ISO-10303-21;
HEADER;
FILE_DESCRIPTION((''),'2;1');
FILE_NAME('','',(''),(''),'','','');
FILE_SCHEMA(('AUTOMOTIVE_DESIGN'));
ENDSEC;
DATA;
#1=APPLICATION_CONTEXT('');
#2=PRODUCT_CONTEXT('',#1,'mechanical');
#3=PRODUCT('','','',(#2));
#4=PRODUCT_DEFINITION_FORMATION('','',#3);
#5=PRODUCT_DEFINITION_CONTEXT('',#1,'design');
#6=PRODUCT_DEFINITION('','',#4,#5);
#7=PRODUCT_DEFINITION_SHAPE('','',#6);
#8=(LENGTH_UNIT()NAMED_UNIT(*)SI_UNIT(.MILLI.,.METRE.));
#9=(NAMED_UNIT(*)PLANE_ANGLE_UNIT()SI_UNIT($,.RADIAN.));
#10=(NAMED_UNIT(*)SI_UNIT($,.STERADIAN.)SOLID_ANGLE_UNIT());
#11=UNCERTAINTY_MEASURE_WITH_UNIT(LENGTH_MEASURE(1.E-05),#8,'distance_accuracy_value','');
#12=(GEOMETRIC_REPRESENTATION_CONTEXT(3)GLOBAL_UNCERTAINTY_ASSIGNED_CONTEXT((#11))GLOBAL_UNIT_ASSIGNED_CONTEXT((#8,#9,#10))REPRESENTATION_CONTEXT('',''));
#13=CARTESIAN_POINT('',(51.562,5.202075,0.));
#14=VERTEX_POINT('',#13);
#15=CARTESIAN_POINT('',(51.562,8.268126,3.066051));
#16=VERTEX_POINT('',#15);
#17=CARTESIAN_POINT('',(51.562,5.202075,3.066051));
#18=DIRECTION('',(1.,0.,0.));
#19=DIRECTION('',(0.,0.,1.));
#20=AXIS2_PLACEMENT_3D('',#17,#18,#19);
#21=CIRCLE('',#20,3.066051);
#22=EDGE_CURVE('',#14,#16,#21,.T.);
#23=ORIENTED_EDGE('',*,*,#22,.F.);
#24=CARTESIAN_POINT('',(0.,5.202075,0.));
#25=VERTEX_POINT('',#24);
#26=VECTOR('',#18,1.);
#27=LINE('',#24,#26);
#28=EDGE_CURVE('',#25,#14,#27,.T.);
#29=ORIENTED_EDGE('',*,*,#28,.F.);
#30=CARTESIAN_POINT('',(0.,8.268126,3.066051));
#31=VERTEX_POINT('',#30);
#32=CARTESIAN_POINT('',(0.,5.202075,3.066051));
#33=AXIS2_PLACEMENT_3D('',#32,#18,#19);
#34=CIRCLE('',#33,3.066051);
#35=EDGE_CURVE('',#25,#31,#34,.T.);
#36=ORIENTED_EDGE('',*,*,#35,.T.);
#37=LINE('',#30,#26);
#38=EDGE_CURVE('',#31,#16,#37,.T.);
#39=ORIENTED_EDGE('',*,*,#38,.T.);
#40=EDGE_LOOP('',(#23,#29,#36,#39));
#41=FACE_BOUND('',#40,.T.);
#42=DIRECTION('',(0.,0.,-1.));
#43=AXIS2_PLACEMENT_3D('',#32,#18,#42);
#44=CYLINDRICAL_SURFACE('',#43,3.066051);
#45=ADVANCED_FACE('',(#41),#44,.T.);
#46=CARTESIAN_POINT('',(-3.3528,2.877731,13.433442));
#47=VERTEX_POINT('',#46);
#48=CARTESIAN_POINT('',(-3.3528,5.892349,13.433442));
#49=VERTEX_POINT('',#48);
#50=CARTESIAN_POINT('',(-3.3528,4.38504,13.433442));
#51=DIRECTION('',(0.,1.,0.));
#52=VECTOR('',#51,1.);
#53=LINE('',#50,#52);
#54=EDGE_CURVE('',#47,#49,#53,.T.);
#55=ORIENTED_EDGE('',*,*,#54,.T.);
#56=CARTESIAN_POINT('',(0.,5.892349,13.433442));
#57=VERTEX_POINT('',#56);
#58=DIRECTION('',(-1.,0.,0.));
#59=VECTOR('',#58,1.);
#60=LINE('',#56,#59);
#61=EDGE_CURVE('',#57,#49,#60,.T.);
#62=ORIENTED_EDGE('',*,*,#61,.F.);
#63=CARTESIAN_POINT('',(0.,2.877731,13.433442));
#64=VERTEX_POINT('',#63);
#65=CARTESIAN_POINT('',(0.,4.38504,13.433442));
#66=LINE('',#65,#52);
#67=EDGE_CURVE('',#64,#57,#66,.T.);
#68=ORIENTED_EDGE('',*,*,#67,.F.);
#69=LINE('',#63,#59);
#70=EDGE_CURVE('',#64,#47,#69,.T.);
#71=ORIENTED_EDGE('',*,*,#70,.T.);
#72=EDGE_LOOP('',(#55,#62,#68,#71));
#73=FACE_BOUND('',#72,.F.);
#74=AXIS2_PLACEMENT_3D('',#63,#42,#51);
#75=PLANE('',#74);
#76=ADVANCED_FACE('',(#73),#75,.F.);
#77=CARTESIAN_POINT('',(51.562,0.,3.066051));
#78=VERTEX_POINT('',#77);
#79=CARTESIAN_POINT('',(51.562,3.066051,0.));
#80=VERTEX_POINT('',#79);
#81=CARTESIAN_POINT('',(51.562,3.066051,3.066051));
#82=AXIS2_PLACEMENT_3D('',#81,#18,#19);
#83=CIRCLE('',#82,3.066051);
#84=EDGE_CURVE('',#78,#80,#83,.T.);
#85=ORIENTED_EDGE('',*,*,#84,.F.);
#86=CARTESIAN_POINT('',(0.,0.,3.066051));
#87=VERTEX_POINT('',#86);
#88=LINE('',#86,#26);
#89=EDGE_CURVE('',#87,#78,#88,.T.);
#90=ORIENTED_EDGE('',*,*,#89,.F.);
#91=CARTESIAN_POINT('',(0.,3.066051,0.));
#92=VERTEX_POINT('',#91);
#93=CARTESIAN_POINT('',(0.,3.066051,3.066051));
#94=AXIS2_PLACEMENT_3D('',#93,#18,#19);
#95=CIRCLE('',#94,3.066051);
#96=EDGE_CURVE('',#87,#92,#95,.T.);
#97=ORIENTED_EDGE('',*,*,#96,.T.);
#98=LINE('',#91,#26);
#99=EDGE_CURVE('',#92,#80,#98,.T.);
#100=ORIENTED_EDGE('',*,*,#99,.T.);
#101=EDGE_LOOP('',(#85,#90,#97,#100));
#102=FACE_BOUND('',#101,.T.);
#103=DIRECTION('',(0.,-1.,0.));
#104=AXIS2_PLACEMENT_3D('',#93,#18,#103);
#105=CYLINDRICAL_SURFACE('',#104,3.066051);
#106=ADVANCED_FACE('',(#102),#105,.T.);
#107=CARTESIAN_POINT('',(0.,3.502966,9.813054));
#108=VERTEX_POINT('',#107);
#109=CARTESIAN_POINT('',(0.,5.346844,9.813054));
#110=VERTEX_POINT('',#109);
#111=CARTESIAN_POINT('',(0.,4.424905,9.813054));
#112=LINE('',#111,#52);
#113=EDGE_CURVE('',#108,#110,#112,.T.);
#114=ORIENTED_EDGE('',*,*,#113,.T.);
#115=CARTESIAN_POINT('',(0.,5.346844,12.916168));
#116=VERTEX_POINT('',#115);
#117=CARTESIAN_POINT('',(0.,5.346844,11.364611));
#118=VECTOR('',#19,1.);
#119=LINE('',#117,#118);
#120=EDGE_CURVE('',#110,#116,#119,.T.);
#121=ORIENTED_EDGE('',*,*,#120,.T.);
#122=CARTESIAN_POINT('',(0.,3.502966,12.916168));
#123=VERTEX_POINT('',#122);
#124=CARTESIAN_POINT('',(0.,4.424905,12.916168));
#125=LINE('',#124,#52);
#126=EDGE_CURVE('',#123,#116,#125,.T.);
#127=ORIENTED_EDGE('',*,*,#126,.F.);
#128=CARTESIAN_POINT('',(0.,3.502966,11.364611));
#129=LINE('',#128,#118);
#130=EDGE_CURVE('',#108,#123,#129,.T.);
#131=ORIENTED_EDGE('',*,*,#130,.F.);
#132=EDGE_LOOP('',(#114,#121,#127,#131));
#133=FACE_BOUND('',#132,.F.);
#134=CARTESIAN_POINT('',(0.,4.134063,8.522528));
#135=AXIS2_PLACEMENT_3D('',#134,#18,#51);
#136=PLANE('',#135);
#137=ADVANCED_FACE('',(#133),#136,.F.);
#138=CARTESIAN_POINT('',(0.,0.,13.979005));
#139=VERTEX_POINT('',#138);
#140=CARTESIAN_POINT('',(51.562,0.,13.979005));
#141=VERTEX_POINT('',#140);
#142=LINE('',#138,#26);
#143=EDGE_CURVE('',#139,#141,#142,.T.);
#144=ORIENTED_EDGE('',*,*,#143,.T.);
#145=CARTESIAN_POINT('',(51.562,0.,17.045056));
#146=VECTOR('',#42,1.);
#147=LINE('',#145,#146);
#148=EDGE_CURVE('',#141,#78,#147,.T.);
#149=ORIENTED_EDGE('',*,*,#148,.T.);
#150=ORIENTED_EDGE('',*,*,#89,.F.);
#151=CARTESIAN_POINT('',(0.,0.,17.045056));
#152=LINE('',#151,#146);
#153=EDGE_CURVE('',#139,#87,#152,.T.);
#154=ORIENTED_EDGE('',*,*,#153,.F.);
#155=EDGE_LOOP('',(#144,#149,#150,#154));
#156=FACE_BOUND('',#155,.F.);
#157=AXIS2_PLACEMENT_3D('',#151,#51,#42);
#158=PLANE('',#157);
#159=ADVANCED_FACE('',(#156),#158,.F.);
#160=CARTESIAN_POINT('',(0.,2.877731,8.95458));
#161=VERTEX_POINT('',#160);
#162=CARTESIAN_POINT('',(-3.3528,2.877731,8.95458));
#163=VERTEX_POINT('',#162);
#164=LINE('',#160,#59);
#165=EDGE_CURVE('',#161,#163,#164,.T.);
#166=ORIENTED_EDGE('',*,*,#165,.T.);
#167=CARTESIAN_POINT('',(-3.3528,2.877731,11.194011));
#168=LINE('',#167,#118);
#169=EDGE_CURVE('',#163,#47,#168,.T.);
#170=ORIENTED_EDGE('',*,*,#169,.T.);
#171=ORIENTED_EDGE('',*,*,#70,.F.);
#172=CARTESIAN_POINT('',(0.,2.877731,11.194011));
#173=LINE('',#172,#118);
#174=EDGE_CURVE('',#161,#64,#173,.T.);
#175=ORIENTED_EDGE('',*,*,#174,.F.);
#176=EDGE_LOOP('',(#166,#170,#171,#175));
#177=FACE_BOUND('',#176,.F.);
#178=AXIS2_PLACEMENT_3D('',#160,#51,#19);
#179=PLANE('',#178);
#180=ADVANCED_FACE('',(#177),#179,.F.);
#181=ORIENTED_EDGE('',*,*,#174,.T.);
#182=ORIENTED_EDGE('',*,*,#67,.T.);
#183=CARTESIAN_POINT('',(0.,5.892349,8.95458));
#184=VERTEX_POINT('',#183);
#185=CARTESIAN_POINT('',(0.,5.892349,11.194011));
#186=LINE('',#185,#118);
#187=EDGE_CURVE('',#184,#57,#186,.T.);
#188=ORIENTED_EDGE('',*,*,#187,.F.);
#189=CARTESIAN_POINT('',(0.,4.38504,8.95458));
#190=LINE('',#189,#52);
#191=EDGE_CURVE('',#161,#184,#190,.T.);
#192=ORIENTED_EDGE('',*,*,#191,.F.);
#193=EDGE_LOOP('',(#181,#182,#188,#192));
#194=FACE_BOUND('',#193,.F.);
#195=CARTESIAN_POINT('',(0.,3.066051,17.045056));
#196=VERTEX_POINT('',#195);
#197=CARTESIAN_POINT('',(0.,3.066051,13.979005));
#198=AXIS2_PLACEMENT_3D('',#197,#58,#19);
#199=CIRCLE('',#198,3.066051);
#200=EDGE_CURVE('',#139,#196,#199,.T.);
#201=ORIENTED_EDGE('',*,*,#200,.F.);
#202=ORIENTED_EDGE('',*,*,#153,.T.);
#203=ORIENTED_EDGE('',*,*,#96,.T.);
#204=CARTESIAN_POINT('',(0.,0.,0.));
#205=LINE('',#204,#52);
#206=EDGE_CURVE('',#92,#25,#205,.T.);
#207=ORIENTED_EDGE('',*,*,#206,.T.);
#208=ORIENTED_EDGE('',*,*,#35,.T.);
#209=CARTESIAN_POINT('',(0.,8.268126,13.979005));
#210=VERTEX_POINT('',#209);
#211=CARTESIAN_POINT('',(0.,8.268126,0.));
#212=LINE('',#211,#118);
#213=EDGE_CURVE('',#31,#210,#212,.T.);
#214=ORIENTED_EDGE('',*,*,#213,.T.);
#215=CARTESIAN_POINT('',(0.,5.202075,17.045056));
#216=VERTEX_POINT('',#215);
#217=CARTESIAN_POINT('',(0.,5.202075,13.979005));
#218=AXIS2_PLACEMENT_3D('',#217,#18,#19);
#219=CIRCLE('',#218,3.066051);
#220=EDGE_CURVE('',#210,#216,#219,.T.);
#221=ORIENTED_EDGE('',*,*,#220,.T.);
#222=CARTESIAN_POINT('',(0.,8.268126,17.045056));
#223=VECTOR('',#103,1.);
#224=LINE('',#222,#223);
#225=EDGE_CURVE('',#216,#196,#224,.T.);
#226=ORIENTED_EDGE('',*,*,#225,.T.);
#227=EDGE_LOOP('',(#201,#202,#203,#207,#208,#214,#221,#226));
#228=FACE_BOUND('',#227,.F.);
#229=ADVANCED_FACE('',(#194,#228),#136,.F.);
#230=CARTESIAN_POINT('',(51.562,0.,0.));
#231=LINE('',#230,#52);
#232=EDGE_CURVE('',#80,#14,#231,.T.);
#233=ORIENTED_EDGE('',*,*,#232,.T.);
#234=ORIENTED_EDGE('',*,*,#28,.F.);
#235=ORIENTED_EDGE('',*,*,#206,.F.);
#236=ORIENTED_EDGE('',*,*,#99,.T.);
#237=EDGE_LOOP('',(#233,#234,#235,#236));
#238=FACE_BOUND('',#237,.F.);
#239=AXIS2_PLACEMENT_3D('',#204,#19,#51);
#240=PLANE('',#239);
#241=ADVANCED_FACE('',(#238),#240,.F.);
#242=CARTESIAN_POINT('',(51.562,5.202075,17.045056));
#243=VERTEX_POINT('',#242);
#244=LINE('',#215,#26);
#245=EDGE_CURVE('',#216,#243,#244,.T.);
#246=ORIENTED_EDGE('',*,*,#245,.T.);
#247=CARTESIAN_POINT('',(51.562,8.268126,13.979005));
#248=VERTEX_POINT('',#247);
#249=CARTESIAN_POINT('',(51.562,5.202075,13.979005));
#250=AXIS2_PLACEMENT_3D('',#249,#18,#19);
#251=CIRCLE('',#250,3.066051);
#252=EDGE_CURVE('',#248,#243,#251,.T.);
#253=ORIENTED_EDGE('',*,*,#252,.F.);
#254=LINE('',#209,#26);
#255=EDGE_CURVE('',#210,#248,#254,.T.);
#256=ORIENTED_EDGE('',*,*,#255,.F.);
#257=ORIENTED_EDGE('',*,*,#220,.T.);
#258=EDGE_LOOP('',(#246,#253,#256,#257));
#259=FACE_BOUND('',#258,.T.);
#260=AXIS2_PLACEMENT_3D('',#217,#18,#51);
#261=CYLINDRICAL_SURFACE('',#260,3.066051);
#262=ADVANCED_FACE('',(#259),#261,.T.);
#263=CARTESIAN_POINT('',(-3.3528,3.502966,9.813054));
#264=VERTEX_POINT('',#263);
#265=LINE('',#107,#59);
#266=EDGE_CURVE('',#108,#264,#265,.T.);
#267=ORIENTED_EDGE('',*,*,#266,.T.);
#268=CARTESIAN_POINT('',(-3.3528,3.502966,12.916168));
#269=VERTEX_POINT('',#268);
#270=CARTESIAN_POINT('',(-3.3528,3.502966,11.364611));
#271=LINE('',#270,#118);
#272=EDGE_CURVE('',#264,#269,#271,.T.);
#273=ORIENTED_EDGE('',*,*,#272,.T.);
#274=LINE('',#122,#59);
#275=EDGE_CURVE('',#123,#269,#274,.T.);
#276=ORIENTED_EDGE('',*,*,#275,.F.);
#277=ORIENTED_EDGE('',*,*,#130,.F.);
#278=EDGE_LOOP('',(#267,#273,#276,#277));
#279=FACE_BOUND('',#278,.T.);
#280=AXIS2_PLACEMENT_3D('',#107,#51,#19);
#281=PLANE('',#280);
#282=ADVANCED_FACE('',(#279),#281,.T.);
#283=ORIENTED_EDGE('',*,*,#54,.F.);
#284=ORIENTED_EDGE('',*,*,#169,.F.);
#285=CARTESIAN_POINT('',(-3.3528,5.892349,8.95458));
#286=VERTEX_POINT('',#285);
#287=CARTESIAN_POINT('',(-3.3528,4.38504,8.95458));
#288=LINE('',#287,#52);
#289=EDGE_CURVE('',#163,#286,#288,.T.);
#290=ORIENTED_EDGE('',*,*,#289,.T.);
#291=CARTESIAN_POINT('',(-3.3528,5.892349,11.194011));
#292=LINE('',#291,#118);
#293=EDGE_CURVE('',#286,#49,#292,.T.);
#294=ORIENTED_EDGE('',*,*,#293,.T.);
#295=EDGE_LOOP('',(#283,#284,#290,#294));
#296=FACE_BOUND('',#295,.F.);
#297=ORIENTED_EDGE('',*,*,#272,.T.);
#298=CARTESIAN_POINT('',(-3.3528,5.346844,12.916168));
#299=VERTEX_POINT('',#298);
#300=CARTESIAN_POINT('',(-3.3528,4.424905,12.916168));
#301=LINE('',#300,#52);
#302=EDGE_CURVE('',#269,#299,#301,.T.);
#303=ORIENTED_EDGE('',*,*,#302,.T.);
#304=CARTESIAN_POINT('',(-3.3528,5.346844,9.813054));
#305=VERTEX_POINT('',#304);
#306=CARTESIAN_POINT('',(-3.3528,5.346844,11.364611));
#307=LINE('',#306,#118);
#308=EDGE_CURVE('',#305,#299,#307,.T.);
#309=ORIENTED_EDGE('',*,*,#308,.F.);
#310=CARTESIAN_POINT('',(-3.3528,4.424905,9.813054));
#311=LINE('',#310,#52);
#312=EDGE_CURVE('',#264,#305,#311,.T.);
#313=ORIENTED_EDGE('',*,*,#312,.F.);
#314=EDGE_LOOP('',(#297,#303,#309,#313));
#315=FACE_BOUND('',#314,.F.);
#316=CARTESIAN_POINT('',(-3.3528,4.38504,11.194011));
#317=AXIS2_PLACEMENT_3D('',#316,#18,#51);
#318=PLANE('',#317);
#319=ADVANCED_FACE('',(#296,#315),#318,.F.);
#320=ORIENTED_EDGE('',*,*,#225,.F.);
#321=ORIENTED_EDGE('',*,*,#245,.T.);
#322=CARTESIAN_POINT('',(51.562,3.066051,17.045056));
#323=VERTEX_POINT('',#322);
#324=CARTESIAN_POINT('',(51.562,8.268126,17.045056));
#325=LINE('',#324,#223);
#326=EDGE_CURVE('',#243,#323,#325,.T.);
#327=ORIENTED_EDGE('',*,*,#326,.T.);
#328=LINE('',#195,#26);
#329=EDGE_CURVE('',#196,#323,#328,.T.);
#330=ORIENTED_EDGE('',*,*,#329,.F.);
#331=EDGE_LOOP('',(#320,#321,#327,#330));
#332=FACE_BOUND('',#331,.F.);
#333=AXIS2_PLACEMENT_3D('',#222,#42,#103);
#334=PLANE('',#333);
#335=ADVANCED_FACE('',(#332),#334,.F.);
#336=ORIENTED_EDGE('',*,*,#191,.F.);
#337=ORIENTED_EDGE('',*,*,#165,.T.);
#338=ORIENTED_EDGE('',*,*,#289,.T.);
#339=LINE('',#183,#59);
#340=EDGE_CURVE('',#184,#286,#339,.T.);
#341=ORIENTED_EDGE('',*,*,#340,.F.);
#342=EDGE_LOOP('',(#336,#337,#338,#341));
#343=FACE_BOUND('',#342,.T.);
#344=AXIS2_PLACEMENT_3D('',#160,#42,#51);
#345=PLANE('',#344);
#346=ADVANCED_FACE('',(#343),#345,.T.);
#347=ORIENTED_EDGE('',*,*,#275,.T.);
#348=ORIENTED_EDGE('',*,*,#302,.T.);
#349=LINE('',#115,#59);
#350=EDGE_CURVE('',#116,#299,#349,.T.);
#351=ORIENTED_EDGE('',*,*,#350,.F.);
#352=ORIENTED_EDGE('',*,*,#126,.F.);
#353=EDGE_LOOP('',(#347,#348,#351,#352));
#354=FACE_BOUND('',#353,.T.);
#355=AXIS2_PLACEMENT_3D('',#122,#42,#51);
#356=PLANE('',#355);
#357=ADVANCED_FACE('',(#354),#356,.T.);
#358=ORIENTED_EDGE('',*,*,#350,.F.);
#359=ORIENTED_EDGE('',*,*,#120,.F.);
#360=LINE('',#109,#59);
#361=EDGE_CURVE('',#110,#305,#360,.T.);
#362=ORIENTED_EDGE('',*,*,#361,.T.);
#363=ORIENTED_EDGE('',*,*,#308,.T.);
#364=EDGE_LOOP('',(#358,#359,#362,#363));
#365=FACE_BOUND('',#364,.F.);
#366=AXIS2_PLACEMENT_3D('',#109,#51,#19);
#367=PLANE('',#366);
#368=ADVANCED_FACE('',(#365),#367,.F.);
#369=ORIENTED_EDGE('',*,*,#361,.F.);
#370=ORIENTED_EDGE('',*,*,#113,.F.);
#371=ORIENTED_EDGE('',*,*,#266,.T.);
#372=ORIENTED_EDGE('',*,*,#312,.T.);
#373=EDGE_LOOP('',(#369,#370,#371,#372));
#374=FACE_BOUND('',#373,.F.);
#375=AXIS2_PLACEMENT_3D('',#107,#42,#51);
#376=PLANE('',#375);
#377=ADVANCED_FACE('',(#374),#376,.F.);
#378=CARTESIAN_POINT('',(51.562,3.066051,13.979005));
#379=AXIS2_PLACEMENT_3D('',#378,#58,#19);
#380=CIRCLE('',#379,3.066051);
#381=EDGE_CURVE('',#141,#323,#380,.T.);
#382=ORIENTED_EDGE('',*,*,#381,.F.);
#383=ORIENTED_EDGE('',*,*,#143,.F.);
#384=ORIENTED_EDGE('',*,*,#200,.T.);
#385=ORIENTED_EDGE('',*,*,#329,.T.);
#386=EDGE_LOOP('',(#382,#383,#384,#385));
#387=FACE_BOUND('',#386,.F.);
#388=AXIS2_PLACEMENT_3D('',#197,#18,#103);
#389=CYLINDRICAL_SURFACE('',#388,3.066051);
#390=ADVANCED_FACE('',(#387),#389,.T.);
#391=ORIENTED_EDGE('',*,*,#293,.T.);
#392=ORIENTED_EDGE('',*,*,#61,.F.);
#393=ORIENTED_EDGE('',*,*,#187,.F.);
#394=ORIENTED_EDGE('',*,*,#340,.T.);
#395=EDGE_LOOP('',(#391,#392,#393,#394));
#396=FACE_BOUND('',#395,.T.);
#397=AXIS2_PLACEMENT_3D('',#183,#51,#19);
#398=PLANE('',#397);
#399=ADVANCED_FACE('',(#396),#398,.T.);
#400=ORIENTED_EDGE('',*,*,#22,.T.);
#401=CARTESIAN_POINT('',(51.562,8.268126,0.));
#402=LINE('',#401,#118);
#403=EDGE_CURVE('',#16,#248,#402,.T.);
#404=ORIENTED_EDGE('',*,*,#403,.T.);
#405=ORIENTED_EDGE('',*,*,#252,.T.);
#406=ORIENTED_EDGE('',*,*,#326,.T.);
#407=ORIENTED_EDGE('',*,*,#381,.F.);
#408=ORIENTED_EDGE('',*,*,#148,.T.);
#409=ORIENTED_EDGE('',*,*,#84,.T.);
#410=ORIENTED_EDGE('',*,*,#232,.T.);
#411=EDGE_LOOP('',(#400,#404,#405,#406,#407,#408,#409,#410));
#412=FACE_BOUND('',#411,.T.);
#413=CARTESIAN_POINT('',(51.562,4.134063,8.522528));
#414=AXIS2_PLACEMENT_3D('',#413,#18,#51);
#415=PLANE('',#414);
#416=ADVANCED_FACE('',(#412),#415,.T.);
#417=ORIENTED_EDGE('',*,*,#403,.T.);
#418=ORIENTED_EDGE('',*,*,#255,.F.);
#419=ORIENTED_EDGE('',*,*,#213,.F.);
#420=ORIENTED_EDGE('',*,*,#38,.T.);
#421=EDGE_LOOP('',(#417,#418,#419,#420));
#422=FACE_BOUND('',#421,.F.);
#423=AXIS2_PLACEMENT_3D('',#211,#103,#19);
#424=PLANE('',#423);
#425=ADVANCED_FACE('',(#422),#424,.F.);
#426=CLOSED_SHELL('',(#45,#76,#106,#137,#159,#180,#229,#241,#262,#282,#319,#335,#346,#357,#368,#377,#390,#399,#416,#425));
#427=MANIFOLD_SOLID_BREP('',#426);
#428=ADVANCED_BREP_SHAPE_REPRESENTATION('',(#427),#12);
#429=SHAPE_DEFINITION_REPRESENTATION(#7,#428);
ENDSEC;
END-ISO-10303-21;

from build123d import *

# Parameters (mm, degrees)
F1_DEPTH = 51.562
F2_R     = 3.066051
F3_W     = 3.014619
F3_H     = 4.478862
F3_W_2   = 1.843878
F3_H_2   = 3.103115
F4_DEPTH = 3.3528


with BuildPart() as f1:
    # F0 (on Right) → F1 (new body)
    with BuildSketch(Plane.YZ):
        Polygon((0, 17.045056), (0, 0), (4.706469, 0), (8.268126, 0), (8.268126, 17.045056), (4.706469, 17.045056), align=None)
    extrude(amount=F1_DEPTH)

    # F2
    f2_edges = [f1.edges().sort_by_distance(p)[0] for p in [
        (25.781, 8.268126, 17.045056),
        (25.781, 0, 17.045056),
        (25.781, 8.268126, 0),
        (25.781, 0, 0),
    ]]
    fillet(f2_edges, radius=F2_R)

    # F3 (on Right) → F4 (join)
    with BuildSketch(Plane.YZ):
        with Locations((4.38504, 11.194011)):
            Rectangle(F3_W, F3_H)
        with Locations((4.424905, 11.364611)):
            Rectangle(F3_W_2, F3_H_2, mode=Mode.SUBTRACT)
    extrude(amount=-F4_DEPTH)


solid = f1.part
